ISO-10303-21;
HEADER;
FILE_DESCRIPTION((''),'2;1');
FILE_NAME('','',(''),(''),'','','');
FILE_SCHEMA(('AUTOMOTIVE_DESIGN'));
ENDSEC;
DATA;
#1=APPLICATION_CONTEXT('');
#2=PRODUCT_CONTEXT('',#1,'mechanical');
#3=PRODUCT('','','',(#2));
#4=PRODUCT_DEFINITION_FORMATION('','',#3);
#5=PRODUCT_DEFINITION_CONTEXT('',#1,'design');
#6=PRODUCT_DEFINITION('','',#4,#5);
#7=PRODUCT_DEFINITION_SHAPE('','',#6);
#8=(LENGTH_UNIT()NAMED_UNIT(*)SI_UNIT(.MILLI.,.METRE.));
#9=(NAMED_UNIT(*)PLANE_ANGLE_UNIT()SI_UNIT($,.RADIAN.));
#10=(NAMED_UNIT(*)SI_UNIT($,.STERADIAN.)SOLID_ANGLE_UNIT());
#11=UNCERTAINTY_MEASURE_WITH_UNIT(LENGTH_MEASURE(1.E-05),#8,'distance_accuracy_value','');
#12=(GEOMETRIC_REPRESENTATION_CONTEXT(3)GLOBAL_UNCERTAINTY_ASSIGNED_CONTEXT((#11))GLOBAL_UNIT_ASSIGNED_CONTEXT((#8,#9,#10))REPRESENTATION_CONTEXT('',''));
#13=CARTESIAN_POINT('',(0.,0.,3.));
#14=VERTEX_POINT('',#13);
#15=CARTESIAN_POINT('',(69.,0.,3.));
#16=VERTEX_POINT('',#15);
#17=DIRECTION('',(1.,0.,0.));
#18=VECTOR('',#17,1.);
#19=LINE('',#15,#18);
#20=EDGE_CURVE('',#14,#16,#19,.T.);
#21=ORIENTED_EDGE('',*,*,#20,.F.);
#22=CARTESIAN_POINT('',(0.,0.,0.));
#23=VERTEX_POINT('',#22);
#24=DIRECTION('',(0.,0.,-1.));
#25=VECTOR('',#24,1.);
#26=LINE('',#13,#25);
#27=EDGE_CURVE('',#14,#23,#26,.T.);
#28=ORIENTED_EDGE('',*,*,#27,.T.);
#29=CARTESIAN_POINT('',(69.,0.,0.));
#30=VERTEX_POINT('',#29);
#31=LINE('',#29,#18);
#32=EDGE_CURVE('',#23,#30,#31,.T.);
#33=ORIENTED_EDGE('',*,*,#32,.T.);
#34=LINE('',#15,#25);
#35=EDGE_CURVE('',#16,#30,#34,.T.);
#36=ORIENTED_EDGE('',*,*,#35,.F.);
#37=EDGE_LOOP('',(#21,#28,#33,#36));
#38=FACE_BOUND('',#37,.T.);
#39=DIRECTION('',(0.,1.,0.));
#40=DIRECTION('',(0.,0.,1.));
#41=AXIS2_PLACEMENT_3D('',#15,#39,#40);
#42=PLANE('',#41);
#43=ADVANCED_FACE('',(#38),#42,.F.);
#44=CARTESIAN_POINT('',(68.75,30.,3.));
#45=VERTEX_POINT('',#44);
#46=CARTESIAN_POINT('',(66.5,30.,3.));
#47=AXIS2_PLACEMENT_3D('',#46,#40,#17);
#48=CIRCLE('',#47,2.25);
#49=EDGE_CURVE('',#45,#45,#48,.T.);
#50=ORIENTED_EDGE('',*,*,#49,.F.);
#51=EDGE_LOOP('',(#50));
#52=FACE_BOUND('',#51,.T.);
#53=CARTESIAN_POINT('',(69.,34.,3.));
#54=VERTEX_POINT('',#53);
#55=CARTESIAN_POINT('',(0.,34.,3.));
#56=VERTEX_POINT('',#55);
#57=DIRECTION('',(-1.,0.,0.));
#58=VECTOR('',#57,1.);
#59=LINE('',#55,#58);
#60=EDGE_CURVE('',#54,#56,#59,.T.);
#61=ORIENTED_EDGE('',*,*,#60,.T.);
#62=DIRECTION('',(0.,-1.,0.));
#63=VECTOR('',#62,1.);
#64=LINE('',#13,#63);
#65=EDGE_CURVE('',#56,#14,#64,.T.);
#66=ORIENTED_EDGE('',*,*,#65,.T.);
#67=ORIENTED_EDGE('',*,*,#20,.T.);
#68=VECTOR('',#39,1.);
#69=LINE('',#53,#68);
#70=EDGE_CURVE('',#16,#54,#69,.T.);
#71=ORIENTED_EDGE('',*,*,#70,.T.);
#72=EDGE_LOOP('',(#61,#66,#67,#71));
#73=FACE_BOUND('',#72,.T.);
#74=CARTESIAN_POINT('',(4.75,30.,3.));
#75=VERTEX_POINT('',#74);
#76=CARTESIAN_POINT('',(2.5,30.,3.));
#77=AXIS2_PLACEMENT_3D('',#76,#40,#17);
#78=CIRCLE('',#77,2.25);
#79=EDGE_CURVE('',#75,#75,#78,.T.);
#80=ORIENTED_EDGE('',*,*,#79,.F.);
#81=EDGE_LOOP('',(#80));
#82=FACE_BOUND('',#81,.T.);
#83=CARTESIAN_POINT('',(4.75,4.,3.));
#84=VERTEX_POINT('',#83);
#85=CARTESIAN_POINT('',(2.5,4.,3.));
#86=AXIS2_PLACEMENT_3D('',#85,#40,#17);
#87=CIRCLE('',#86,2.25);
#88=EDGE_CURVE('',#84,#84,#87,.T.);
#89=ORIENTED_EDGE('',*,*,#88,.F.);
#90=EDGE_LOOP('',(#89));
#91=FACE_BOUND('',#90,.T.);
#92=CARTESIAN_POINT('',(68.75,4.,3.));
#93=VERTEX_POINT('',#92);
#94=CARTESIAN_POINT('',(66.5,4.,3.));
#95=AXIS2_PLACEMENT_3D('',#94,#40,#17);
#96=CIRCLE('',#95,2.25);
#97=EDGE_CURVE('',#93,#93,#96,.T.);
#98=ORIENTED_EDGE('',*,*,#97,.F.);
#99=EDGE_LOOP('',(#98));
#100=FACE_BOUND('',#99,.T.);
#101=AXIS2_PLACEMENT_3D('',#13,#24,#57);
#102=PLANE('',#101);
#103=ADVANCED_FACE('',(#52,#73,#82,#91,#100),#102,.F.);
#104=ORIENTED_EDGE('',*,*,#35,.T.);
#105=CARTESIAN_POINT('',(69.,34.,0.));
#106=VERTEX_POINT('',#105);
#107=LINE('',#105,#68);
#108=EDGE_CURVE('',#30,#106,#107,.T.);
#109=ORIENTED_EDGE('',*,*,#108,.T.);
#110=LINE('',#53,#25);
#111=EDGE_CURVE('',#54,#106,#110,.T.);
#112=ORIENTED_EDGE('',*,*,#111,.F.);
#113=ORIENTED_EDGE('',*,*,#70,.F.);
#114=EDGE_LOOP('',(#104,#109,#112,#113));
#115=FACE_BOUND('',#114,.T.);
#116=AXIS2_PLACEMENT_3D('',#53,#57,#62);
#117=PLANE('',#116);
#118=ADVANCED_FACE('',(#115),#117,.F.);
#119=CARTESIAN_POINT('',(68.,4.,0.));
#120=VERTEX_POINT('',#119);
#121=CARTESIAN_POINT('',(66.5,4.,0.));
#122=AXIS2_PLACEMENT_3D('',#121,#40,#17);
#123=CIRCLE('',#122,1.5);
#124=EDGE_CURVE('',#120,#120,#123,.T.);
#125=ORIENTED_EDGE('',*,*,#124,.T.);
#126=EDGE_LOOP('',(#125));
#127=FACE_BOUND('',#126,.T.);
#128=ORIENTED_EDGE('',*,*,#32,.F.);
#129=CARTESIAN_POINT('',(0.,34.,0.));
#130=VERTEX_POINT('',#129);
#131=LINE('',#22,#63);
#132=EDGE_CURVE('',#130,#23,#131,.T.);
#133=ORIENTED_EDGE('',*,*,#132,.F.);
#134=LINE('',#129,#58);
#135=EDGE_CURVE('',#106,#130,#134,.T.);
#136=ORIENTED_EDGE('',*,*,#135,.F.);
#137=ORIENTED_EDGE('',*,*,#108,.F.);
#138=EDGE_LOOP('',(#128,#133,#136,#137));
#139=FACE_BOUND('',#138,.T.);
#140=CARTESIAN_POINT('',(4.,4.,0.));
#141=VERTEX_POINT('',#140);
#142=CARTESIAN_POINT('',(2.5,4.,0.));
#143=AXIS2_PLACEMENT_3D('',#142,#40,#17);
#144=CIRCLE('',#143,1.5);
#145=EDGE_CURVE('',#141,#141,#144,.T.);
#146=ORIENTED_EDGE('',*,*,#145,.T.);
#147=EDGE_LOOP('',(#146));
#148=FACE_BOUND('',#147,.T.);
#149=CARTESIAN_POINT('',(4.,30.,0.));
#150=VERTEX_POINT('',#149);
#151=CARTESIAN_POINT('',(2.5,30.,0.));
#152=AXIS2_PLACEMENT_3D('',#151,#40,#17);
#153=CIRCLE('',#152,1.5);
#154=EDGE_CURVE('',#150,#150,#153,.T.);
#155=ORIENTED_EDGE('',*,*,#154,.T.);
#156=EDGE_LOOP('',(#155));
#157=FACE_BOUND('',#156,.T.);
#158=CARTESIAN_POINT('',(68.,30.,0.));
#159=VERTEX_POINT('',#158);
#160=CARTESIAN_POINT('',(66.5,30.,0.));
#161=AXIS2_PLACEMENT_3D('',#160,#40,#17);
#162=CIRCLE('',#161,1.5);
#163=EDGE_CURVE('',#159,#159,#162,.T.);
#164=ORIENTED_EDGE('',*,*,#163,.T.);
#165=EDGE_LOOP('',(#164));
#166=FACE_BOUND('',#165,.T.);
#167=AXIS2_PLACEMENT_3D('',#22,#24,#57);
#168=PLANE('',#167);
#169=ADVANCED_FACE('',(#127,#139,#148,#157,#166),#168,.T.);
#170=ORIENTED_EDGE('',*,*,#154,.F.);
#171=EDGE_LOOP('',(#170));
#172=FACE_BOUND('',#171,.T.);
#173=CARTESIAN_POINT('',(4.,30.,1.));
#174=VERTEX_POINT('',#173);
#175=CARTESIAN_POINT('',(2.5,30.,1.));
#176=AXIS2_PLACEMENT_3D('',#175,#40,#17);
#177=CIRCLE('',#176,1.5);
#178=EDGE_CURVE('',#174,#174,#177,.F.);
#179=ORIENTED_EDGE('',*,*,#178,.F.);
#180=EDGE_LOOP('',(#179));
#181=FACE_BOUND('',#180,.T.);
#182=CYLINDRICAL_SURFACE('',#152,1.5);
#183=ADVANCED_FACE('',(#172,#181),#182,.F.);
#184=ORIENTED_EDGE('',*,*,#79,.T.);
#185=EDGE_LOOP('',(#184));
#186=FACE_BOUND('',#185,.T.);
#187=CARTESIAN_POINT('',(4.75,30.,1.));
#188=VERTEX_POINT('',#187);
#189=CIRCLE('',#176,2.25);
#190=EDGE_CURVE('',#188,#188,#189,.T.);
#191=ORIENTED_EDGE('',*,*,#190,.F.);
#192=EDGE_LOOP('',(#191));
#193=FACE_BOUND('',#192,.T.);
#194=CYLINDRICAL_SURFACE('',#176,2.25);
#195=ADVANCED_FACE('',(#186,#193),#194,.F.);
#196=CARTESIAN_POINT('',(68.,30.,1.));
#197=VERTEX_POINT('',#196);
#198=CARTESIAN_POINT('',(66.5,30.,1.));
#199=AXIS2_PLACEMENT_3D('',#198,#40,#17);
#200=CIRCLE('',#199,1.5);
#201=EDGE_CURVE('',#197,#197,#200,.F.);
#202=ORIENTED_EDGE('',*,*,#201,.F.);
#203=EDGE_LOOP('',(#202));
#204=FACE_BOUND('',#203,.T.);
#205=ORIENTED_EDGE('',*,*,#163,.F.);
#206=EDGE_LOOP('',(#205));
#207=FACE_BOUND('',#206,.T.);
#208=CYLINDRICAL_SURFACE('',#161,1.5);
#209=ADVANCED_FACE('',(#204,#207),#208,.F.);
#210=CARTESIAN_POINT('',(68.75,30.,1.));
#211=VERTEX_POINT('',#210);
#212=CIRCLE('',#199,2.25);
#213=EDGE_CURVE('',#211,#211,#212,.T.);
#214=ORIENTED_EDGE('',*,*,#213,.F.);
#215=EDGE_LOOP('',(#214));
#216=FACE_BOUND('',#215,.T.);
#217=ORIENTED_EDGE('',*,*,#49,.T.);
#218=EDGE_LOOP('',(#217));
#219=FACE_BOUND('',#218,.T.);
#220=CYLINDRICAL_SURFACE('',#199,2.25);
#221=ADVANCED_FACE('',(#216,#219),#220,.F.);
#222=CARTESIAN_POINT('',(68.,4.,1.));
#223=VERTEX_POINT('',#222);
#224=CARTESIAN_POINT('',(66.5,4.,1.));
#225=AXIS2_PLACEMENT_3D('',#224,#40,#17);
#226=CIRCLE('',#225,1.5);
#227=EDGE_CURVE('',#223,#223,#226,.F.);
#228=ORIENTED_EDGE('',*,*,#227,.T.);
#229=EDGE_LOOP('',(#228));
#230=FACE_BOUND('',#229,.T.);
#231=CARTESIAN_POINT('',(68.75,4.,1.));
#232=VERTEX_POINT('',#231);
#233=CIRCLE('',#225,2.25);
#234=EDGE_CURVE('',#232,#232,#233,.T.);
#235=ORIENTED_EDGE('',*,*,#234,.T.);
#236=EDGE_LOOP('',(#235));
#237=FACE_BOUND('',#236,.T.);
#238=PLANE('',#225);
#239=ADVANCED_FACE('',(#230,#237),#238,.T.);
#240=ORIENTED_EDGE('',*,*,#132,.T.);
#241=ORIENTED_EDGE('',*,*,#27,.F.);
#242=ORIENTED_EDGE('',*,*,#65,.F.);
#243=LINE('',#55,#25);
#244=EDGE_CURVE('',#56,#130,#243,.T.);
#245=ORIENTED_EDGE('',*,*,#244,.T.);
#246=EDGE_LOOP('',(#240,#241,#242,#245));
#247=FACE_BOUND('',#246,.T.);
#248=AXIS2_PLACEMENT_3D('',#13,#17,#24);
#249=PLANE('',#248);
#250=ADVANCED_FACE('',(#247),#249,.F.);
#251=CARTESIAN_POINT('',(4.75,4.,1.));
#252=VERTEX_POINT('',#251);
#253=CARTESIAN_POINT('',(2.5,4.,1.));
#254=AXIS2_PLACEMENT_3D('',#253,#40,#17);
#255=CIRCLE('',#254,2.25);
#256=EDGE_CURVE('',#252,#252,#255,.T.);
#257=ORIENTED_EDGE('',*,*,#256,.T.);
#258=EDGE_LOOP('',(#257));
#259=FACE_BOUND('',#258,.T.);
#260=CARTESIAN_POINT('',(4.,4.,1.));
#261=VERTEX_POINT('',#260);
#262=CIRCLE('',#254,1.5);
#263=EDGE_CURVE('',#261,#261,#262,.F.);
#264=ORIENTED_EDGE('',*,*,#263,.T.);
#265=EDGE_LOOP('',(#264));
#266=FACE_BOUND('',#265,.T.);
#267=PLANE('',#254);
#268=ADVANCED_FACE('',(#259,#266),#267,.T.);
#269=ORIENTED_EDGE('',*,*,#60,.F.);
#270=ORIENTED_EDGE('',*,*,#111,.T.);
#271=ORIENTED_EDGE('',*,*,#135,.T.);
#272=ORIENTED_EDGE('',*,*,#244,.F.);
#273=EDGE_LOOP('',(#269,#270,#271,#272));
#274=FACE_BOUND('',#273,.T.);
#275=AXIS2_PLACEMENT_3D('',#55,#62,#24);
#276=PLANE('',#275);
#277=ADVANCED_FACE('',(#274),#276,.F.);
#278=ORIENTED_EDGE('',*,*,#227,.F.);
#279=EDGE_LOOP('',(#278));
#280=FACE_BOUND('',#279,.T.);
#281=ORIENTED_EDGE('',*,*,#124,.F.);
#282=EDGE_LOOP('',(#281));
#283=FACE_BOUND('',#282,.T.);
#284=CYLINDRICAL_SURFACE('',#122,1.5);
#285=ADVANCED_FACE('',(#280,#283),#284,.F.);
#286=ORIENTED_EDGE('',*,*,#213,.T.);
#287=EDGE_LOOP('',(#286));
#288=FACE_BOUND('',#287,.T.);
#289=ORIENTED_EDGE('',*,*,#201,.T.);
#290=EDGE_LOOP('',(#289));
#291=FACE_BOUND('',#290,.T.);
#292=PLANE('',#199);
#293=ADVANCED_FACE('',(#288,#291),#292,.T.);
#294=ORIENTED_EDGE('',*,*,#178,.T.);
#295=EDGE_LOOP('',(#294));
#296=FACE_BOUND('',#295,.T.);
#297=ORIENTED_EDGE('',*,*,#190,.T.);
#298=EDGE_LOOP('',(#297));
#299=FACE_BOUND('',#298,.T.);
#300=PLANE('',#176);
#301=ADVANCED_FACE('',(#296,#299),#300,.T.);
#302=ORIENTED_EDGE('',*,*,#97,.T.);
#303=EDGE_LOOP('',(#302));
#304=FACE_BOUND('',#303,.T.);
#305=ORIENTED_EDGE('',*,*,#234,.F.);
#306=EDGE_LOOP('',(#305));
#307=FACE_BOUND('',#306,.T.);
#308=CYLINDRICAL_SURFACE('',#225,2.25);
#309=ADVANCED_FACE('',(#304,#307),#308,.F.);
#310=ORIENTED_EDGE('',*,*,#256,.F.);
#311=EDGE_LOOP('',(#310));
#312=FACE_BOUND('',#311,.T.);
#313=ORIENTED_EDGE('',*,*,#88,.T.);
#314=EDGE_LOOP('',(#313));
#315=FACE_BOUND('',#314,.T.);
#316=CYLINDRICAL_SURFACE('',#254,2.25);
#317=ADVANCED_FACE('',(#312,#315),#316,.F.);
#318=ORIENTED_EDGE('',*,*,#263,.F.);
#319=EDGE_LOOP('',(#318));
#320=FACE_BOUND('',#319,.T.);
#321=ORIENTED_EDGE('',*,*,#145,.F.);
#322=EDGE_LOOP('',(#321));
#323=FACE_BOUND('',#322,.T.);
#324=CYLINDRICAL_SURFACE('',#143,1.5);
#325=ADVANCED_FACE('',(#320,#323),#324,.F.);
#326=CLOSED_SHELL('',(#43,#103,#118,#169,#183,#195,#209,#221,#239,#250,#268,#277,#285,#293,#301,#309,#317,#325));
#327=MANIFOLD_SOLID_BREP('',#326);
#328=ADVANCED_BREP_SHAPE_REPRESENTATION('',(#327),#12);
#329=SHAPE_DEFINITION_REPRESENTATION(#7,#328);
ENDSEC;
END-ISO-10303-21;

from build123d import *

# Parameters (mm, degrees)
SZKIC1_W                    = 69
SZKIC1_H                    = 34
DODANIE_WYCI_GNI_CIE1_DEPTH = 3
SZKIC2_R                    = 1.5
WYTNIJ_WYCI_GNI_CIE1_DEPTH  = 3
SZKIC3_R                    = 2.25
WYTNIJ_WYCI_GNI_CIE2_DEPTH  = 2


with BuildPart() as part:
    # Szkic1 → Dodanie-wyciągnięcie1 (new body)
    with BuildSketch(Plane.XY):
        with Locations((34.5, 17)):
            Rectangle(SZKIC1_W, SZKIC1_H)
    extrude(amount=DODANIE_WYCI_GNI_CIE1_DEPTH)

    # Szkic2 → Wytnij-wyciągnięcie1 (cut)
    with BuildSketch(Plane.XY.offset(3)):
        with Locations((2.5, 30)):
            Circle(SZKIC2_R)
        with Locations((2.5, 4)):
            Circle(SZKIC2_R)
        with Locations((66.5, 4)):
            Circle(SZKIC2_R)
        with Locations((66.5, 30)):
            Circle(SZKIC2_R)
    extrude(amount=-WYTNIJ_WYCI_GNI_CIE1_DEPTH, mode=Mode.SUBTRACT)

    # Szkic3 → Wytnij-wyciągnięcie2 (cut)
    with BuildSketch(Plane.XY.offset(3)):
        with Locations((2.5, 30)):
            Circle(SZKIC3_R)
        with Locations((66.5, 30)):
            Circle(SZKIC3_R)
        with Locations((2.5, 4)):
            Circle(SZKIC3_R)
        with Locations((66.5, 4)):
            Circle(SZKIC3_R)
    extrude(amount=-WYTNIJ_WYCI_GNI_CIE2_DEPTH, mode=Mode.SUBTRACT)


solid = part.part
